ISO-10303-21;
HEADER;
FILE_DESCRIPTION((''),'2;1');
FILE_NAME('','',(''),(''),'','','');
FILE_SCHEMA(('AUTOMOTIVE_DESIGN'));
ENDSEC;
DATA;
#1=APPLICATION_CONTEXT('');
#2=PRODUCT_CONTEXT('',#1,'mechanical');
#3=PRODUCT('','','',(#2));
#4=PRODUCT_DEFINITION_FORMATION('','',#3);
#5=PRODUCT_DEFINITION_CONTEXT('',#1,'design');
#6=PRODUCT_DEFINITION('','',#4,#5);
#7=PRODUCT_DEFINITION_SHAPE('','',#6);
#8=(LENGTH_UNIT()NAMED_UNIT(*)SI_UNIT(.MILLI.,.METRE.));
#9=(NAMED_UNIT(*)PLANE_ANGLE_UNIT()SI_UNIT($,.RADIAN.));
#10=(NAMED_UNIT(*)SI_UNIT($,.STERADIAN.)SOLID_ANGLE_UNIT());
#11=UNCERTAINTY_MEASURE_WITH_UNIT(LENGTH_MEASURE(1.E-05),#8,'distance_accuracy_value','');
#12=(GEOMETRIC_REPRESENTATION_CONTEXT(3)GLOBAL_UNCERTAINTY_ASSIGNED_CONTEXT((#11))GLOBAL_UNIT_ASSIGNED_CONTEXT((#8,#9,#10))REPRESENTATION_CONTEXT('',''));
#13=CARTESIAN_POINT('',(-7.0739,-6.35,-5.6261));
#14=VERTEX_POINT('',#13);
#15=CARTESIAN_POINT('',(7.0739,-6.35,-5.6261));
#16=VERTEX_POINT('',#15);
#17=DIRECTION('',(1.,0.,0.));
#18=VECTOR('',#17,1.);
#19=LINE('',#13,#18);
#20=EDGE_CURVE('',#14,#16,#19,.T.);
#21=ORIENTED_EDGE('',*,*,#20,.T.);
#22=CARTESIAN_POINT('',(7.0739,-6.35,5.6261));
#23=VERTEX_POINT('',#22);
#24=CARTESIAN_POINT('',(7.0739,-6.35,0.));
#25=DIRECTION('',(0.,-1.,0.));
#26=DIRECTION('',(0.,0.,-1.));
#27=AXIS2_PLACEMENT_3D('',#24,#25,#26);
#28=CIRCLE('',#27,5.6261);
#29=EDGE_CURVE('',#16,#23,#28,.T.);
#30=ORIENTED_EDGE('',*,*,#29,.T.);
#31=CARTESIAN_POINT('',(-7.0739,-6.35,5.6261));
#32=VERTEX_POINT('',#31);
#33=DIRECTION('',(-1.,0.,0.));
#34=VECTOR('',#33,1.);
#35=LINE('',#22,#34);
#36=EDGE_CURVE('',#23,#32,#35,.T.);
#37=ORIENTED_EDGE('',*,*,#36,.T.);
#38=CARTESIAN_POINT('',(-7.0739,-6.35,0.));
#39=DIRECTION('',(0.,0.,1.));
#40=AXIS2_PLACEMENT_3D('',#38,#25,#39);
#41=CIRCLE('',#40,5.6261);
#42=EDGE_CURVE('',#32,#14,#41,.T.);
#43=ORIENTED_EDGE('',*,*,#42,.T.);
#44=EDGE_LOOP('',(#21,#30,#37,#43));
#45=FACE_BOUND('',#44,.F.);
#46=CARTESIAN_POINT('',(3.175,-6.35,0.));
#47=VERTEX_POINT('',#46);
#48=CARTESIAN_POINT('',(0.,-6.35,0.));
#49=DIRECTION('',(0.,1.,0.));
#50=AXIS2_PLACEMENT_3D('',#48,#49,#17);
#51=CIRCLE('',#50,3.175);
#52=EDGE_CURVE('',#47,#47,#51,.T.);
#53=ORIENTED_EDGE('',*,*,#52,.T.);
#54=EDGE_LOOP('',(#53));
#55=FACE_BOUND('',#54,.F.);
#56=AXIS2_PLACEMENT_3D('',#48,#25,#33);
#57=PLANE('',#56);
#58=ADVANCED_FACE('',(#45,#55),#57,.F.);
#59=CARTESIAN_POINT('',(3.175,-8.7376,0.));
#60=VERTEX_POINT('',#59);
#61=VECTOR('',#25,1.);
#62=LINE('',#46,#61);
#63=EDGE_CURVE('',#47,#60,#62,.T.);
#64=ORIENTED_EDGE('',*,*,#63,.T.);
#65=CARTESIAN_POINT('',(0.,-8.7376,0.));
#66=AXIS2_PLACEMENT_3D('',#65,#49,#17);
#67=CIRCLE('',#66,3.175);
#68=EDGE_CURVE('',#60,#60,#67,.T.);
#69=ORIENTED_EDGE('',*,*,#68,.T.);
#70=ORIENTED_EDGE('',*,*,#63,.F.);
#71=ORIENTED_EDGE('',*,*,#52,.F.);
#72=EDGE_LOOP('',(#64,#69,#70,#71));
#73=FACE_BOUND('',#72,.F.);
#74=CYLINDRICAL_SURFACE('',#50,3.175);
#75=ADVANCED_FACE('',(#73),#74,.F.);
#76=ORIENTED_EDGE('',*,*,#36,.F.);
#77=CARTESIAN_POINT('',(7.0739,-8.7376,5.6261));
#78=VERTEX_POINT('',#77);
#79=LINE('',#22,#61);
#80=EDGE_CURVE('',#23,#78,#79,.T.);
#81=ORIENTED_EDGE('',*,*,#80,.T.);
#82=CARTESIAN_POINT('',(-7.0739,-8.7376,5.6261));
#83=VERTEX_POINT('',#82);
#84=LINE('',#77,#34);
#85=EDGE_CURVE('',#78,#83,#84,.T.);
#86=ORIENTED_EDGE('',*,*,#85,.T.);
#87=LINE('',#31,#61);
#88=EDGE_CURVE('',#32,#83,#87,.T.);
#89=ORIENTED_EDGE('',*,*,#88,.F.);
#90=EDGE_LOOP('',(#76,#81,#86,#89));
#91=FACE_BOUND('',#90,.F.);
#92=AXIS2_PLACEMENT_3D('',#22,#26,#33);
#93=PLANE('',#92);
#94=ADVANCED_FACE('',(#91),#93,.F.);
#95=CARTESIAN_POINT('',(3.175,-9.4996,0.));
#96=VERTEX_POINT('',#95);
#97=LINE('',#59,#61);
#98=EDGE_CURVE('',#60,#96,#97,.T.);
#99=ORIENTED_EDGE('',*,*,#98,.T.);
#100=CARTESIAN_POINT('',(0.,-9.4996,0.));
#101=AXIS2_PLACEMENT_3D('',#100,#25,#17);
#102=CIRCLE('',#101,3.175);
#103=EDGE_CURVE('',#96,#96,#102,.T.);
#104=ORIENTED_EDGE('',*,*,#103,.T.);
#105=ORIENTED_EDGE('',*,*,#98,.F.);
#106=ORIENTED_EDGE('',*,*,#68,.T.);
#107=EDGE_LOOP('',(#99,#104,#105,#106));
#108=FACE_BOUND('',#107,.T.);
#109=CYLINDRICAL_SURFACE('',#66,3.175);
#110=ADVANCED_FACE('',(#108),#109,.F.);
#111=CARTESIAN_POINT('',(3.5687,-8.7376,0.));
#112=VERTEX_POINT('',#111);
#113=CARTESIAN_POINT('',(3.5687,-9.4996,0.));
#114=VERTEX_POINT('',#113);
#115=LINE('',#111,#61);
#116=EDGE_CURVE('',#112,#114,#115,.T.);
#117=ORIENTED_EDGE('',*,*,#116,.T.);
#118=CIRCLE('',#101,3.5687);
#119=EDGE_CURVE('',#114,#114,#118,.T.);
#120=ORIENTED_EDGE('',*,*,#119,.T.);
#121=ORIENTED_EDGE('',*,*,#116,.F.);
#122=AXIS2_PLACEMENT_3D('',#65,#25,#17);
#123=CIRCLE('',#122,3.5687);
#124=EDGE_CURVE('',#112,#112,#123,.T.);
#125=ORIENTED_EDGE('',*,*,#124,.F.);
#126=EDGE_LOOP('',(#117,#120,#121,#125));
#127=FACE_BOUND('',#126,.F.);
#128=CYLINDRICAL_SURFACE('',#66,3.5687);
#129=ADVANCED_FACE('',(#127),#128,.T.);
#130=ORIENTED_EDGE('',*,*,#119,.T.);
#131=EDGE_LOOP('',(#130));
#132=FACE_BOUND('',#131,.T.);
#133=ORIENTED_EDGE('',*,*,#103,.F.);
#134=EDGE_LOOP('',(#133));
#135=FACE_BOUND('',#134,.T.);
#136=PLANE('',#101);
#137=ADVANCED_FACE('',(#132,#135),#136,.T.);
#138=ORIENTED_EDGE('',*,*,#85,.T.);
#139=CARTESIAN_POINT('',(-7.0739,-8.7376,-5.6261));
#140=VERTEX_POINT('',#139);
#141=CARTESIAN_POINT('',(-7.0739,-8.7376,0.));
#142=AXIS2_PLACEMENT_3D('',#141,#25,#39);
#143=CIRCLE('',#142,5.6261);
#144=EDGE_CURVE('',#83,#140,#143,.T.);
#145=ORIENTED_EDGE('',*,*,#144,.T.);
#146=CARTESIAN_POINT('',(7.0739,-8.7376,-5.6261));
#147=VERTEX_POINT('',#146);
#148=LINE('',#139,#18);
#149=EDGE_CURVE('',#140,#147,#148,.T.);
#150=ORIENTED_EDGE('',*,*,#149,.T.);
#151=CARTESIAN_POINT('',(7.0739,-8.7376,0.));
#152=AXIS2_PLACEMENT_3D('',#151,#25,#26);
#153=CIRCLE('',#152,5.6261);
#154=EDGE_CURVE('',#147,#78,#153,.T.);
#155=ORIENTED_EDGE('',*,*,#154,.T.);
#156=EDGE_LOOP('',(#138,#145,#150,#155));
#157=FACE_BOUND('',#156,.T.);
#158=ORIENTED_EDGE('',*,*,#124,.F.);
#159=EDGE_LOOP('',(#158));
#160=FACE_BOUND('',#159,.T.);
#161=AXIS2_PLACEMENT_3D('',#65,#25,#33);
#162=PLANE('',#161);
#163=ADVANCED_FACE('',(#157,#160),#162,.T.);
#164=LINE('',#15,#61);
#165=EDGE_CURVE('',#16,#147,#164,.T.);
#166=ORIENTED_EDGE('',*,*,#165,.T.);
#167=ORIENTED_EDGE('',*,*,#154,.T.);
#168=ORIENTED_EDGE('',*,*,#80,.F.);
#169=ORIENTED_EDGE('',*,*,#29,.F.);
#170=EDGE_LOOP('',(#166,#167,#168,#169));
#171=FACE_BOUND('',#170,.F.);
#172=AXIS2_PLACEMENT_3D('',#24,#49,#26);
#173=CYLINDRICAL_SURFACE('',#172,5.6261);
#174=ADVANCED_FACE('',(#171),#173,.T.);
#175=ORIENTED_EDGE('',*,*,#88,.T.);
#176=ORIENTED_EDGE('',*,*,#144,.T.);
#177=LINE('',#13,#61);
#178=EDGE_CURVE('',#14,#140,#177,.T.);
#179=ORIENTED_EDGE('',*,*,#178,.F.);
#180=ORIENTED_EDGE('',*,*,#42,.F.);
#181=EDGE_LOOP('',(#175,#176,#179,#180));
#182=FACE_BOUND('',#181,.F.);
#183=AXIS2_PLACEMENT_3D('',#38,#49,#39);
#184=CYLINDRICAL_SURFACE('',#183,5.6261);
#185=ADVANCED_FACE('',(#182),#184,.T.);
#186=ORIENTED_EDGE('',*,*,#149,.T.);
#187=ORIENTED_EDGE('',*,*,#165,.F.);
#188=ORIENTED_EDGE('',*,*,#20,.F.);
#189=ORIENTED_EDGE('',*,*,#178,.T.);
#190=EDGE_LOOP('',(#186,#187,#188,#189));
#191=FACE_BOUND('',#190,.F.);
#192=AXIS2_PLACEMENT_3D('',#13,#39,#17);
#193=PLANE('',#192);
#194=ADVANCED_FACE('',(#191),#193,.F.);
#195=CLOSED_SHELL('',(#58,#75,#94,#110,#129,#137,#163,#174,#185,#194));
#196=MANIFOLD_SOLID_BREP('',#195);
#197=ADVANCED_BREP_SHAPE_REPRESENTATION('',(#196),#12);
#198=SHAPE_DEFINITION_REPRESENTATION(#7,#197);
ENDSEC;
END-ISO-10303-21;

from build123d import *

# Parameters (mm, degrees)
BOSS_EXTRUDE2_START = -6.35
SKETCH8_R           = 3.175
BOSS_EXTRUDE2_DEPTH = 2.3876
SKETCH9_R           = 3.5687
SKETCH9_R_2         = 3.175
BOSS_EXTRUDE3_DEPTH = 0.762


with BuildPart() as part:
    # Sketch8 → Boss-Extrude2 (new body)
    with BuildSketch(Plane(origin=(0, 0, 0), x_dir=(1, 0, 0), z_dir=(0, 1, 0)).offset(BOSS_EXTRUDE2_START)):
        with BuildLine():
            Line((-7.0739, 5.6261), (7.0739, 5.6261))
            ThreePointArc((7.0739, 5.6261), (12.7, 0), (7.0739, -5.6261))
            Line((7.0739, -5.6261), (-7.0739, -5.6261))
            ThreePointArc((-7.0739, -5.6261), (-12.7, 0), (-7.0739, 5.6261))
        make_face()
        Circle(SKETCH8_R, mode=Mode.SUBTRACT)
    extrude(amount=-BOSS_EXTRUDE2_DEPTH)

    # Sketch9 → Boss-Extrude3 (add)
    with BuildSketch(Plane.XZ.offset(8.7376)):
        Circle(SKETCH9_R)
        Circle(SKETCH9_R_2, mode=Mode.SUBTRACT)
    extrude(amount=BOSS_EXTRUDE3_DEPTH)


solid = part.part
